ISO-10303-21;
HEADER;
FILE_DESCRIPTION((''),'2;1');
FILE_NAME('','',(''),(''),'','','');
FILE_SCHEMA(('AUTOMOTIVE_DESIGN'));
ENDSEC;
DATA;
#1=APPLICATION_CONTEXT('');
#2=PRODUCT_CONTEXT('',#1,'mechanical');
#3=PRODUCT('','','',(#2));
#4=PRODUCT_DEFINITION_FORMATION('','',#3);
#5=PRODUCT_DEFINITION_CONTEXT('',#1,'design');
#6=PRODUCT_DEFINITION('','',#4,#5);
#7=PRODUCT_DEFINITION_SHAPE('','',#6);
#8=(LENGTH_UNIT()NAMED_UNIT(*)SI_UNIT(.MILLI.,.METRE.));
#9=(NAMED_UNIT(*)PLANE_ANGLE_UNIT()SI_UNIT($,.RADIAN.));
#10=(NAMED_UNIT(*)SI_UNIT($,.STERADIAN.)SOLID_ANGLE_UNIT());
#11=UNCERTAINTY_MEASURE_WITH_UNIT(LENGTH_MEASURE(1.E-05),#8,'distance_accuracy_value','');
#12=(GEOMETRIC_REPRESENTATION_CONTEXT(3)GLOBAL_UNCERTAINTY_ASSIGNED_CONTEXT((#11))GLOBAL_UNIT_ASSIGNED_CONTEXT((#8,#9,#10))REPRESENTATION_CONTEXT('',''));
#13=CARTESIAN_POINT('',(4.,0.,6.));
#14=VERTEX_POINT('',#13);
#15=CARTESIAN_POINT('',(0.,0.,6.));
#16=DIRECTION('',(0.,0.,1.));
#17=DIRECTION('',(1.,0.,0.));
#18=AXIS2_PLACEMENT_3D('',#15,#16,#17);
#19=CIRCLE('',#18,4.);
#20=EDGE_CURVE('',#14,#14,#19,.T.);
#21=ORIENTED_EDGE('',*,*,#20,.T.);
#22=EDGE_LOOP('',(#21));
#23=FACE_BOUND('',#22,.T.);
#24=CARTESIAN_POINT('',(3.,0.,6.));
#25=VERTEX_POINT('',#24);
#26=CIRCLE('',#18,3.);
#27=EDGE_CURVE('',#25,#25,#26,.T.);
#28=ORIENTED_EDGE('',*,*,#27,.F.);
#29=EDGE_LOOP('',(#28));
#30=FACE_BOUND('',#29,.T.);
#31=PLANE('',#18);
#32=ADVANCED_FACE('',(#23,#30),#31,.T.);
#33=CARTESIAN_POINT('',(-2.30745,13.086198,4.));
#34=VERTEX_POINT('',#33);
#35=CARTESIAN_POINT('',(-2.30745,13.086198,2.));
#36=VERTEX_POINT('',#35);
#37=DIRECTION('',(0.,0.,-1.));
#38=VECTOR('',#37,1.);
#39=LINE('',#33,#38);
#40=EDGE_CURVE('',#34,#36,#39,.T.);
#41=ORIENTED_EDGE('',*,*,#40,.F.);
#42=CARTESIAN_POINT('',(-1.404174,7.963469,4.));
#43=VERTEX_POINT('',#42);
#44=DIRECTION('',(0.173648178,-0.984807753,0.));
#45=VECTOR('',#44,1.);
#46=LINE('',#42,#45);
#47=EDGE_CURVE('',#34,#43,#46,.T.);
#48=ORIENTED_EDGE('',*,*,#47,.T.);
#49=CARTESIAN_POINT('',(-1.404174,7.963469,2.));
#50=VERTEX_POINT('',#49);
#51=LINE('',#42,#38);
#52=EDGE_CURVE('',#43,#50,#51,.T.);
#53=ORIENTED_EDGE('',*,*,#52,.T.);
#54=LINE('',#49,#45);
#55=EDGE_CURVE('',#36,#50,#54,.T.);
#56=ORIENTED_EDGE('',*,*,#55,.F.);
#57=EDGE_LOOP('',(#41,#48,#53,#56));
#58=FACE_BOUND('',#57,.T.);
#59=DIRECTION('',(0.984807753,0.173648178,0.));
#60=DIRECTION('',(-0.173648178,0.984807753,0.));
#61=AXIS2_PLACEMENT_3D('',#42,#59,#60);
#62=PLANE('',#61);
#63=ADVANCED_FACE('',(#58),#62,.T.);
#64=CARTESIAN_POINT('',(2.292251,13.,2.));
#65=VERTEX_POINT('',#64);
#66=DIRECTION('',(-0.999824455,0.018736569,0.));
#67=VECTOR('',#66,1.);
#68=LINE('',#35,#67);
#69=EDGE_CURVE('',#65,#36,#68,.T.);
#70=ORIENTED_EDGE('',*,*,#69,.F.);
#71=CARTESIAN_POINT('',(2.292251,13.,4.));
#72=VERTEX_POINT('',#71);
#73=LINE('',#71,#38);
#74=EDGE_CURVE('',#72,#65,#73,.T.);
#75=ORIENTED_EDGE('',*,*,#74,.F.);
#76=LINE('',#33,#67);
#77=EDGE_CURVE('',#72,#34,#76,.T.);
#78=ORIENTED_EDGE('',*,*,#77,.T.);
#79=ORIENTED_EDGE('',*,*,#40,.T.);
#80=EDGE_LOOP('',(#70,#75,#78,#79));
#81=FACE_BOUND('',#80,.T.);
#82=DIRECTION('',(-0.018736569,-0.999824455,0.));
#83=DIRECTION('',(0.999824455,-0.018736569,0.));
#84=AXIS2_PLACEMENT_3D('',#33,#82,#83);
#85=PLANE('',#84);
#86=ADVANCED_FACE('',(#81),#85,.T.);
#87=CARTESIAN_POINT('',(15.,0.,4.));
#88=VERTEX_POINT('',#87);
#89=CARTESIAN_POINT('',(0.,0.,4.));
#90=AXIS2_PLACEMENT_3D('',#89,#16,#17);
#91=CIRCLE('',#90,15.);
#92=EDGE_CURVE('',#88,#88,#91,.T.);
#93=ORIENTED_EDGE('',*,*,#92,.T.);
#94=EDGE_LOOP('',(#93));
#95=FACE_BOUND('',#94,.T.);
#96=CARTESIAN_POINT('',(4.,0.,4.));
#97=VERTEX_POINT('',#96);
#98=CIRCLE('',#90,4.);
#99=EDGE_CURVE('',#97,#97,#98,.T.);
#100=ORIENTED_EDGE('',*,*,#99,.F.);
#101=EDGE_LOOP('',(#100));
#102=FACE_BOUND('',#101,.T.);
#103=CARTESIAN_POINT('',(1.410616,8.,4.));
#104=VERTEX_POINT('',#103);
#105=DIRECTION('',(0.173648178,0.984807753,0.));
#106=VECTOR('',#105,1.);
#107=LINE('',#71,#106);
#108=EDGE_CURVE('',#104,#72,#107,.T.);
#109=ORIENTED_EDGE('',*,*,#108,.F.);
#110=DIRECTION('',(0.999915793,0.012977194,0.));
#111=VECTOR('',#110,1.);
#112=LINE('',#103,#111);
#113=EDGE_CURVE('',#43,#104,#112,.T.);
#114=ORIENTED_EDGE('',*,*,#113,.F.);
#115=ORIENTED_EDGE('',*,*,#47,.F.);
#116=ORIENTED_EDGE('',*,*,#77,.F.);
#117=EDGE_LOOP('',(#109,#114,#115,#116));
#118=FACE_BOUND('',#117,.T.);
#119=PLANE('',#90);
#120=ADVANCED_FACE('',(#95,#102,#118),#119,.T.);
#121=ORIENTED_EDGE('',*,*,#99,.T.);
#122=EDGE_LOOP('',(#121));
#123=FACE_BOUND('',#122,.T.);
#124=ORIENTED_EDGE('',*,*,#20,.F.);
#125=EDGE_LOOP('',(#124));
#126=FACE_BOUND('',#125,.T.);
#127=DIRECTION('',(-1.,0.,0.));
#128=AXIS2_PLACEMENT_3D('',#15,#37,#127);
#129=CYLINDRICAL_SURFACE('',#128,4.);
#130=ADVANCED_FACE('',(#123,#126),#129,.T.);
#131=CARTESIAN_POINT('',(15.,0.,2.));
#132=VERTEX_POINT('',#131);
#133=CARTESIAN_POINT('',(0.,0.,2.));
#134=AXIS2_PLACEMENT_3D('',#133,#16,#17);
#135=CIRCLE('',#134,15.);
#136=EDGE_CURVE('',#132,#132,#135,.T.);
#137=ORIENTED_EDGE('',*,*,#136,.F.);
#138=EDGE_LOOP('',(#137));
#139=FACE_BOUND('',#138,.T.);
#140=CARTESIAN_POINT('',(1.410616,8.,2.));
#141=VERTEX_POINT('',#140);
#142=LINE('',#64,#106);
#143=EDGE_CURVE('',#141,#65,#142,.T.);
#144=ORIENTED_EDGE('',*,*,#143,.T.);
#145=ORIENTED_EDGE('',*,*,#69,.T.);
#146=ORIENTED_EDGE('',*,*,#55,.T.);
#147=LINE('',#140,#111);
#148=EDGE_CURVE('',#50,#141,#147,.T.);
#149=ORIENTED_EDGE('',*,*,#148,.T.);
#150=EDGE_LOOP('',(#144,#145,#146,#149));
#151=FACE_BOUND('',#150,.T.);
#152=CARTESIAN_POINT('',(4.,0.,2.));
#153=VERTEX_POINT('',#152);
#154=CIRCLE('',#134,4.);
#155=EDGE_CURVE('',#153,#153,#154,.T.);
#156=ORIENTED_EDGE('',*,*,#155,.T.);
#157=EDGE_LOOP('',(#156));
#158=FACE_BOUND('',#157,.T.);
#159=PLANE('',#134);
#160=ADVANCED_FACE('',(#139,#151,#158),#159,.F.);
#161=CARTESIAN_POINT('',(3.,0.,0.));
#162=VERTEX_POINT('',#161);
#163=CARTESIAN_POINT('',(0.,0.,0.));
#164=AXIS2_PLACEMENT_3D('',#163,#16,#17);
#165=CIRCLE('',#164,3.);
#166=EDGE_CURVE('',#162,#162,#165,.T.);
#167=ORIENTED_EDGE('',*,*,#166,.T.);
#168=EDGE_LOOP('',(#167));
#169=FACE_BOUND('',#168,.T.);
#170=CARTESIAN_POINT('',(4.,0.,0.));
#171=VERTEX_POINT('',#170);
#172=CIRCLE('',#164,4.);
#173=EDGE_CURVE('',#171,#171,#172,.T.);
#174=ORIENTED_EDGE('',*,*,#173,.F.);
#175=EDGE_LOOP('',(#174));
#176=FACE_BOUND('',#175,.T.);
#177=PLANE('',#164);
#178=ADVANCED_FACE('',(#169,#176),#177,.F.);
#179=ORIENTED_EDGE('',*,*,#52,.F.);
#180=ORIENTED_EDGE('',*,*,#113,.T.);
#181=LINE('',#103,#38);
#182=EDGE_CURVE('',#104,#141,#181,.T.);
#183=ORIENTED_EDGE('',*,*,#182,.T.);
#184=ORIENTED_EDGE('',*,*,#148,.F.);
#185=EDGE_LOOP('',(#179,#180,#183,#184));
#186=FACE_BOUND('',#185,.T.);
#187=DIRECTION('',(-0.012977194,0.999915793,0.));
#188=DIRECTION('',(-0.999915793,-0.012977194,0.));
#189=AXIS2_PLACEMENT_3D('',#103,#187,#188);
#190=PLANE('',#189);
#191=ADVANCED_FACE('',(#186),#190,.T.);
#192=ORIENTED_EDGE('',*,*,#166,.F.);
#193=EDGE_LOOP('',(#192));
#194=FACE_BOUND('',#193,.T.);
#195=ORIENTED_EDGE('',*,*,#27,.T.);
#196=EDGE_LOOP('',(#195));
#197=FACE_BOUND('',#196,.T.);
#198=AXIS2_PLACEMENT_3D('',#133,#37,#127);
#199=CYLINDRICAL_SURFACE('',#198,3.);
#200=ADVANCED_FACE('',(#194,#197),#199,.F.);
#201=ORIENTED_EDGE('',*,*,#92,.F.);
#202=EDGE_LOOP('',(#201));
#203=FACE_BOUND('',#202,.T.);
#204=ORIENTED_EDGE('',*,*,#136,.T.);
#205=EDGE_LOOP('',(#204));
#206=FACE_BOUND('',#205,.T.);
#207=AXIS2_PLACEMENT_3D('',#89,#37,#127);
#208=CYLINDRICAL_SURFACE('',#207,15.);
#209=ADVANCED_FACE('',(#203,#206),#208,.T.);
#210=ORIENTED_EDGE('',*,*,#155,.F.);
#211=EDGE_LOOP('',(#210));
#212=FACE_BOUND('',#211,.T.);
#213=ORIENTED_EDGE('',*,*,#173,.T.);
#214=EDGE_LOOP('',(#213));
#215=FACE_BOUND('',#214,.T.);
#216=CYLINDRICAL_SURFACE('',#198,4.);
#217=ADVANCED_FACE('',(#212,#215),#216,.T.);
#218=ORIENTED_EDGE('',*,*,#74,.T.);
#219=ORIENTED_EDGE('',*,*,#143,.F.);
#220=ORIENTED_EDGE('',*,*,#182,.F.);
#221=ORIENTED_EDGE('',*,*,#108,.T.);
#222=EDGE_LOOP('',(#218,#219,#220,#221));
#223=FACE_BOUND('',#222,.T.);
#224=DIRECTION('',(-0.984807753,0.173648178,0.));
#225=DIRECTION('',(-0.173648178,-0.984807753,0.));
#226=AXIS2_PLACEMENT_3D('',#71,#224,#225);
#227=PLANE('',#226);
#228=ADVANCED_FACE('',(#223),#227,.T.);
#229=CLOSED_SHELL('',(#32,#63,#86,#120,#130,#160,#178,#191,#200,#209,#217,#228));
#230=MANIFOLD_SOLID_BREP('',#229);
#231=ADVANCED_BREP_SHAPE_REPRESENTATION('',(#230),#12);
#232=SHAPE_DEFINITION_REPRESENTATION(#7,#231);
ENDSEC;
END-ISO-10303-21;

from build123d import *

# Parameters (mm, degrees)
SKETCH_1_R      = 4
SKETCH_1_R_2    = 3
EXTRUDE_1_DEPTH = 2
SKETCH_2_R      = 15
SKETCH_2_R_2    = 3
EXTRUDE_2_DEPTH = 2
SKETCH_3_R      = 4
SKETCH_3_R_2    = 3
EXTRUDE_3_DEPTH = 2


with BuildPart() as part:
    # Эскиз1 → Бобышка-Вытянуть1 (new body)
    with BuildSketch(Plane.XY):
        Circle(SKETCH_1_R)
        Circle(SKETCH_1_R_2, mode=Mode.SUBTRACT)
    extrude(amount=EXTRUDE_1_DEPTH)

    # Эскиз2 → Бобышка-Вытянуть2 (add)
    with BuildSketch(Plane.XY.offset(2)):
        Circle(SKETCH_2_R)
        Circle(SKETCH_2_R_2, mode=Mode.SUBTRACT)
        Polygon((-1.404174417, 7.963468844), (-2.307449736, 13.086197736), (2.292250749, 13), (1.410615846, 8), align=None, mode=Mode.SUBTRACT)
    extrude(amount=EXTRUDE_2_DEPTH)

    # Эскиз3 → Бобышка-Вытянуть3 (add)
    with BuildSketch(Plane.XY.offset(4)):
        Circle(SKETCH_3_R)
        Circle(SKETCH_3_R_2, mode=Mode.SUBTRACT)
    extrude(amount=EXTRUDE_3_DEPTH)


solid = part.part
